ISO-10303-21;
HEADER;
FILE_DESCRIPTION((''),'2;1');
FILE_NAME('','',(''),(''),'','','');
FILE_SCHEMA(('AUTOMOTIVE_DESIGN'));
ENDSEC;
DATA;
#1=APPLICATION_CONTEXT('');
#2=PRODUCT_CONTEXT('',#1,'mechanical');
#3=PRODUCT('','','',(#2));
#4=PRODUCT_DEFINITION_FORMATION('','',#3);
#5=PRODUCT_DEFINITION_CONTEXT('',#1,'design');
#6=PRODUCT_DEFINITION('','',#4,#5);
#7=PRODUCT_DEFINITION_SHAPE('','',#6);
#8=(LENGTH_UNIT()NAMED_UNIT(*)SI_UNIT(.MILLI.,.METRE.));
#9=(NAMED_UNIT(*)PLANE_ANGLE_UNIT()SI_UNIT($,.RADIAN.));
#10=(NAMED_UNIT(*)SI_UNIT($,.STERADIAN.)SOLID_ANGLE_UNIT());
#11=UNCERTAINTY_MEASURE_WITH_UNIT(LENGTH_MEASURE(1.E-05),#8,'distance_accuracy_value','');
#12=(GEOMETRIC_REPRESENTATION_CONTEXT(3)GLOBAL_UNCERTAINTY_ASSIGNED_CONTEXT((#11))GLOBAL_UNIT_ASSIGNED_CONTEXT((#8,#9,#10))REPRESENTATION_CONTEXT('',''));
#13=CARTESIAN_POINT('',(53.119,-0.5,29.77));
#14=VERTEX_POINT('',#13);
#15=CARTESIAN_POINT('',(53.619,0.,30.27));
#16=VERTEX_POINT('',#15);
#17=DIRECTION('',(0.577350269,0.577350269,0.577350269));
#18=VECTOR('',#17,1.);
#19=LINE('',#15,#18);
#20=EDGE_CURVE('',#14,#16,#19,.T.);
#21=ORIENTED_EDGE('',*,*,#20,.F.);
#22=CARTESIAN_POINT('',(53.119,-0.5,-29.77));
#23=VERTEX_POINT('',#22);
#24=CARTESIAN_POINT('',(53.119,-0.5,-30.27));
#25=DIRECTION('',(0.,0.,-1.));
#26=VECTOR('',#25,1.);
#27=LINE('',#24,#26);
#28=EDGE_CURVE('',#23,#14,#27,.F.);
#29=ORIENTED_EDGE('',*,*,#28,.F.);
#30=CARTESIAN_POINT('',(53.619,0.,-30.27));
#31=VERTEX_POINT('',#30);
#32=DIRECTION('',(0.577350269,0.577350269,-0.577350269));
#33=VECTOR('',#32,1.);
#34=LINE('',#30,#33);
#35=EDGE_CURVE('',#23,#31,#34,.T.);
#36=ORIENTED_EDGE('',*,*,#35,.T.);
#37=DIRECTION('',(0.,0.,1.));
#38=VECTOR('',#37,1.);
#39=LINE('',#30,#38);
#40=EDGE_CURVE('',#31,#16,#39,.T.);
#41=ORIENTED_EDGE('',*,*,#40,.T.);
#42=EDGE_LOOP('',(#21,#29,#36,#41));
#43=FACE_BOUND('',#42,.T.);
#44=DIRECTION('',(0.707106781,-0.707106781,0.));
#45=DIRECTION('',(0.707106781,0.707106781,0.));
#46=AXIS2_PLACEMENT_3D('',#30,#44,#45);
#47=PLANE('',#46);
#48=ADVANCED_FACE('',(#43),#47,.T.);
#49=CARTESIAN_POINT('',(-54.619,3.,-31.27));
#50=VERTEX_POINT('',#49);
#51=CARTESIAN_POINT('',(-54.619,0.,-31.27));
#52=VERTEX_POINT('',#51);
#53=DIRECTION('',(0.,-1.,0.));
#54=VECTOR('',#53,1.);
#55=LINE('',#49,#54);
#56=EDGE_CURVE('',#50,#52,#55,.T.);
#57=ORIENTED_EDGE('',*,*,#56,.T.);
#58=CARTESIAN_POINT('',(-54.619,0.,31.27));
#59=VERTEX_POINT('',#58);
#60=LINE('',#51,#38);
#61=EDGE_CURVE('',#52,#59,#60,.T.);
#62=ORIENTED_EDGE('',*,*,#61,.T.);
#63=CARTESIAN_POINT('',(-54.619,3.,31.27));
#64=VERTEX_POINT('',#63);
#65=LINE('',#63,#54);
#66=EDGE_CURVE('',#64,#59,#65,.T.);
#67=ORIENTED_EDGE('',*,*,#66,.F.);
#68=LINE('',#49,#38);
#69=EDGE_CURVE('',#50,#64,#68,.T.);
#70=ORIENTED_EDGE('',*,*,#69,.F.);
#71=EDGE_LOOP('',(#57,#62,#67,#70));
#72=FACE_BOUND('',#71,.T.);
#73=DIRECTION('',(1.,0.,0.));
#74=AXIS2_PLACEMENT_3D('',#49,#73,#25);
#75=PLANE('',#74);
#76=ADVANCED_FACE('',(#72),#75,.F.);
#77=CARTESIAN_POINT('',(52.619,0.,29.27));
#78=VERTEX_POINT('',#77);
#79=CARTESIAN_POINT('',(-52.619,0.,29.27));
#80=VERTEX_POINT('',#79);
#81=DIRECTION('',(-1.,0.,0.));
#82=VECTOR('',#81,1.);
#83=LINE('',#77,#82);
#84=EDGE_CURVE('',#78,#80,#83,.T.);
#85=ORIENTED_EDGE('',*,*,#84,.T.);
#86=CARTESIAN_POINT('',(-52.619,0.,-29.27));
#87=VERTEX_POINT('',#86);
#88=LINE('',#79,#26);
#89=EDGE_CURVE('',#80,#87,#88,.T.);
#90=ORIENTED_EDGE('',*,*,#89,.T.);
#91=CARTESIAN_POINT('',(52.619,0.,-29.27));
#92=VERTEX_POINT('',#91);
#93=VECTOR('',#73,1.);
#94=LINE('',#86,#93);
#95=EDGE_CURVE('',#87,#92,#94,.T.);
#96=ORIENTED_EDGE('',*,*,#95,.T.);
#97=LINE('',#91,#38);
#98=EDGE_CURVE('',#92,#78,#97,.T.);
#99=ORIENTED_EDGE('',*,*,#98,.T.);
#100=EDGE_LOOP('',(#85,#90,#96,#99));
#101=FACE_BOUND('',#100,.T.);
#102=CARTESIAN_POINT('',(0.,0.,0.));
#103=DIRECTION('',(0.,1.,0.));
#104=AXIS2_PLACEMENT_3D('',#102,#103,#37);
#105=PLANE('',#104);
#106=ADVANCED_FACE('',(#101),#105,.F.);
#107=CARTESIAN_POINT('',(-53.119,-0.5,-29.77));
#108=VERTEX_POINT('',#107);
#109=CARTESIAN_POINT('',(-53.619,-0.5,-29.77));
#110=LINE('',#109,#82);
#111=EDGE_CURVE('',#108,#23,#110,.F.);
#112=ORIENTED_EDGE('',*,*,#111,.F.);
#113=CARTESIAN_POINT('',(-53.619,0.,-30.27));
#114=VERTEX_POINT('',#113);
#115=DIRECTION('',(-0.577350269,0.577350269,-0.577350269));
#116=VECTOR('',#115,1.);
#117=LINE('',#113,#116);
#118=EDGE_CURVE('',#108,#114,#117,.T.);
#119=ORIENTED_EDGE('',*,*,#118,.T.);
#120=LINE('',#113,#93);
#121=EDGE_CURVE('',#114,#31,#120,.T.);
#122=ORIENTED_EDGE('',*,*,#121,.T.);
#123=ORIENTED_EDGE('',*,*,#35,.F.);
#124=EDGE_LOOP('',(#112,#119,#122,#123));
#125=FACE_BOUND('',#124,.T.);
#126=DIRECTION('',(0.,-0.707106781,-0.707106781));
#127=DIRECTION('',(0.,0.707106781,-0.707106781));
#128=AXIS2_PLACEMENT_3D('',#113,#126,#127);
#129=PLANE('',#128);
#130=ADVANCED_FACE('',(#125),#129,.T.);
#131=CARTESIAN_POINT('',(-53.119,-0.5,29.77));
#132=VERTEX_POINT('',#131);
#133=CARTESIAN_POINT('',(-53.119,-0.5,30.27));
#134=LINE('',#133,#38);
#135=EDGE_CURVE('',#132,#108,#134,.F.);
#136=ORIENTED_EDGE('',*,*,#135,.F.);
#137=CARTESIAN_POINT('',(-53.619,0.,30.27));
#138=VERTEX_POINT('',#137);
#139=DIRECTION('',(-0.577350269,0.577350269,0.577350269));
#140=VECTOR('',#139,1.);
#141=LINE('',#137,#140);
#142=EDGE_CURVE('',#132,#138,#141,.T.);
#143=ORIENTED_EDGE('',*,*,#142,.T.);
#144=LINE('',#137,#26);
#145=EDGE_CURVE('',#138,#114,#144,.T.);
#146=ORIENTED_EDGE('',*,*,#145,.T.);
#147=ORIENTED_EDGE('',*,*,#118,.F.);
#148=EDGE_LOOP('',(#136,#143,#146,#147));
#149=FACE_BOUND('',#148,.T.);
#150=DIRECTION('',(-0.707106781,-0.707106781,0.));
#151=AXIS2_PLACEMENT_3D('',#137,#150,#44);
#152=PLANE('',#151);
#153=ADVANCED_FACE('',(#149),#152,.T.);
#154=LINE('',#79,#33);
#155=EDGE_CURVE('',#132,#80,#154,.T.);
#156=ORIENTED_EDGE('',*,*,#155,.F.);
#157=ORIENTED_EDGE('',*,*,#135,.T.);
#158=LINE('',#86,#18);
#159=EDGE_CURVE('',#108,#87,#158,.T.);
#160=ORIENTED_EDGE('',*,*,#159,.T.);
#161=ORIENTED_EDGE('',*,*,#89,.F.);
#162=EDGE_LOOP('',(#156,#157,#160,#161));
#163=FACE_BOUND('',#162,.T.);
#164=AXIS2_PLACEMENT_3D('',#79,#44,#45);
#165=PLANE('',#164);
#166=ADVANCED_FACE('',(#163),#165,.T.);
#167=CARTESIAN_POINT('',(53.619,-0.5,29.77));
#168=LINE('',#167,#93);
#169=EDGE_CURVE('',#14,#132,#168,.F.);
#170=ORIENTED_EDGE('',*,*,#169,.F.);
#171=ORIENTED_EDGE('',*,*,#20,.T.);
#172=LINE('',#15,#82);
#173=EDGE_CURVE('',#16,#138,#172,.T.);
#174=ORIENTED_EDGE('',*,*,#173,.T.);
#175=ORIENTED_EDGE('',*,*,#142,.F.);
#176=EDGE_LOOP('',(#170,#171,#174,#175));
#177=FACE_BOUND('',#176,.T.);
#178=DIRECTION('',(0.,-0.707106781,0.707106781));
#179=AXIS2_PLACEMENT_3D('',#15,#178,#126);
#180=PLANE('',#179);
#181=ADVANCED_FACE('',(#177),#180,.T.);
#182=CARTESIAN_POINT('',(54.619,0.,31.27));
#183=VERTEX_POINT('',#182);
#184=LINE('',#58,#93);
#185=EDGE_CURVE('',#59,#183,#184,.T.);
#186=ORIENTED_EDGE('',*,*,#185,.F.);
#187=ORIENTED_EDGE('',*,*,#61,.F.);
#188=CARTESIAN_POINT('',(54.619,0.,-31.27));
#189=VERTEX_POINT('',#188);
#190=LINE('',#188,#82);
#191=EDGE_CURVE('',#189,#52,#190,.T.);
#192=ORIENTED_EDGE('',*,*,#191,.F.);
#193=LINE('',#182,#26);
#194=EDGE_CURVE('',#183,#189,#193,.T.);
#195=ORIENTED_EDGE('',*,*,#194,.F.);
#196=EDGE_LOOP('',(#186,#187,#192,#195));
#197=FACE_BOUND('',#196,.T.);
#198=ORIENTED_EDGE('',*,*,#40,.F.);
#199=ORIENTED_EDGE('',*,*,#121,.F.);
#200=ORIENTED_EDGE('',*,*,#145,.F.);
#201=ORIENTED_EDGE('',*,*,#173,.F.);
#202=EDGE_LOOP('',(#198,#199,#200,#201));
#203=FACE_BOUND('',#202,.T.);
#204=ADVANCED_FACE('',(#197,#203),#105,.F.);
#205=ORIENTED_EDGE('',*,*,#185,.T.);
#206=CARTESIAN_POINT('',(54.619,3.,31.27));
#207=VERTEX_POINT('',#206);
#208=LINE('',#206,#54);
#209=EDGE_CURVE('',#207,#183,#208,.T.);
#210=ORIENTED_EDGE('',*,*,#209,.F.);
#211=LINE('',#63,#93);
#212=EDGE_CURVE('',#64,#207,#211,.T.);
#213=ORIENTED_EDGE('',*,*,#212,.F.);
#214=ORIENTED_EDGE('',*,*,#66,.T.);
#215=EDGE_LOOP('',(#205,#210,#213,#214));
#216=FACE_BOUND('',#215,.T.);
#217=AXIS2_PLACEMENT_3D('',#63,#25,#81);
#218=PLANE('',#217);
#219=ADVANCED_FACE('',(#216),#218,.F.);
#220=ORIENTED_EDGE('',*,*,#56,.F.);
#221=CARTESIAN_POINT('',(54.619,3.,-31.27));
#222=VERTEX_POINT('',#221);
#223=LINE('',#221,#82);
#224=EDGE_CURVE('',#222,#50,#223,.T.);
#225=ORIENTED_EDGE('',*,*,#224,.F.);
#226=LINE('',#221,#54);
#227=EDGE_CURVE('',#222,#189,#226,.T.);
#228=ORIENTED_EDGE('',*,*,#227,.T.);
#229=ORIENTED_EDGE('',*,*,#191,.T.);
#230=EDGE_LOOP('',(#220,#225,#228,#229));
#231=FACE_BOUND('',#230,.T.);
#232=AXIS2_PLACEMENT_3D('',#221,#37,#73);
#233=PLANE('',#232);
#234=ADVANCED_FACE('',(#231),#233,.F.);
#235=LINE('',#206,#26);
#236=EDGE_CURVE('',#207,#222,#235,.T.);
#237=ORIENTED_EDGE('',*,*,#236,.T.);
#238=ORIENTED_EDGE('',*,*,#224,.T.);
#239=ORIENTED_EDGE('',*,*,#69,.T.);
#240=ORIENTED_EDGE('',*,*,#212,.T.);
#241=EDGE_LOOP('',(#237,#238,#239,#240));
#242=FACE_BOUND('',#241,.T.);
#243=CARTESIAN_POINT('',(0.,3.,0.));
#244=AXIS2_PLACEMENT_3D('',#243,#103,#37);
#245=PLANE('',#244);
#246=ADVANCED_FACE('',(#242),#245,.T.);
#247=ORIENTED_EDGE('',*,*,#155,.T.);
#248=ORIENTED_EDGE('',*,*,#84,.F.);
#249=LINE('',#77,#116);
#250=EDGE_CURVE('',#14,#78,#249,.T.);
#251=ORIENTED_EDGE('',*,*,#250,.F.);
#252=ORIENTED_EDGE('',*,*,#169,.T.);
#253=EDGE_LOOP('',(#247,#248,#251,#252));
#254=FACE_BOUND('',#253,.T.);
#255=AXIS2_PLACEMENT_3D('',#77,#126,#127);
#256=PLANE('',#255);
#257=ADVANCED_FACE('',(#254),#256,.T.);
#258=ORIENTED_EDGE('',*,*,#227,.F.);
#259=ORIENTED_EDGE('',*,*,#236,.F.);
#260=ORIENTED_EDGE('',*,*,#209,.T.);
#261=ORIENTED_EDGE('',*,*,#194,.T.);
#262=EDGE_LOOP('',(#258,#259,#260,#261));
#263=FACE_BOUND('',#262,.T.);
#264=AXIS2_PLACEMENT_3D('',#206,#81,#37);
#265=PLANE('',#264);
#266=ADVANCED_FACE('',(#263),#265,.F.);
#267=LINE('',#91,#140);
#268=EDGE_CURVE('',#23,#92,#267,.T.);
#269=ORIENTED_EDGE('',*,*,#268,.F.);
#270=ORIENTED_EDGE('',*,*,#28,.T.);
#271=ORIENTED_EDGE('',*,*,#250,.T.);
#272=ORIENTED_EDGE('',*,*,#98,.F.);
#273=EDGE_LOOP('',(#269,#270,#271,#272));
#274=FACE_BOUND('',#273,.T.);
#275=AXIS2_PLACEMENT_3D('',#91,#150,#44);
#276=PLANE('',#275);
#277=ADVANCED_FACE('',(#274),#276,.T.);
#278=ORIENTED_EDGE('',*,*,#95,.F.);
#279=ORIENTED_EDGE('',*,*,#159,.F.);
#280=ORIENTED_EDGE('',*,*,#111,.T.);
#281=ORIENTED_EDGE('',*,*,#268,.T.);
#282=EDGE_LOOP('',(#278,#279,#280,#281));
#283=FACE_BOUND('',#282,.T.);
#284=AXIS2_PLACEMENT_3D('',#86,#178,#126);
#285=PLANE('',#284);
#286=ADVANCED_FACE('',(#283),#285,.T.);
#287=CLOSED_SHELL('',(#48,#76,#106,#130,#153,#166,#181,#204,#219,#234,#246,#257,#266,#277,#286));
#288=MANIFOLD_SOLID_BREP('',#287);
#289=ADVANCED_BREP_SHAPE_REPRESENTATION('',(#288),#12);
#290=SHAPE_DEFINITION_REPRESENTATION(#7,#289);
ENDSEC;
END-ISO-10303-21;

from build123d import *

# Parameters (mm, degrees)
SKETCH1_W           = 109.238
SKETCH1_H           = 62.54
BOSS_EXTRUDE1_DEPTH = 3
SKETCH2_W           = 107.238
SKETCH2_H           = 60.54
SKETCH2_W_2         = 105.238
SKETCH2_H_2         = 58.54
BOSS_EXTRUDE2_DEPTH = 3
BOSS_EXTRUDE2_TAPER = 45


with BuildPart() as part:
    # Sketch1 → Boss-Extrude1 (new body)
    with BuildSketch(Plane(origin=(0, 0, 0), x_dir=(1, 0, 0), z_dir=(0, 1, 0))):
        Rectangle(SKETCH1_W, SKETCH1_H)
    extrude(amount=BOSS_EXTRUDE1_DEPTH)

    # Sketch2 → Boss-Extrude2 (add)
    with BuildSketch(Plane.XZ):
        Rectangle(SKETCH2_W, SKETCH2_H)
        Rectangle(SKETCH2_W_2, SKETCH2_H_2, mode=Mode.SUBTRACT)
    extrude(amount=BOSS_EXTRUDE2_DEPTH, taper=BOSS_EXTRUDE2_TAPER)


solid = part.part
